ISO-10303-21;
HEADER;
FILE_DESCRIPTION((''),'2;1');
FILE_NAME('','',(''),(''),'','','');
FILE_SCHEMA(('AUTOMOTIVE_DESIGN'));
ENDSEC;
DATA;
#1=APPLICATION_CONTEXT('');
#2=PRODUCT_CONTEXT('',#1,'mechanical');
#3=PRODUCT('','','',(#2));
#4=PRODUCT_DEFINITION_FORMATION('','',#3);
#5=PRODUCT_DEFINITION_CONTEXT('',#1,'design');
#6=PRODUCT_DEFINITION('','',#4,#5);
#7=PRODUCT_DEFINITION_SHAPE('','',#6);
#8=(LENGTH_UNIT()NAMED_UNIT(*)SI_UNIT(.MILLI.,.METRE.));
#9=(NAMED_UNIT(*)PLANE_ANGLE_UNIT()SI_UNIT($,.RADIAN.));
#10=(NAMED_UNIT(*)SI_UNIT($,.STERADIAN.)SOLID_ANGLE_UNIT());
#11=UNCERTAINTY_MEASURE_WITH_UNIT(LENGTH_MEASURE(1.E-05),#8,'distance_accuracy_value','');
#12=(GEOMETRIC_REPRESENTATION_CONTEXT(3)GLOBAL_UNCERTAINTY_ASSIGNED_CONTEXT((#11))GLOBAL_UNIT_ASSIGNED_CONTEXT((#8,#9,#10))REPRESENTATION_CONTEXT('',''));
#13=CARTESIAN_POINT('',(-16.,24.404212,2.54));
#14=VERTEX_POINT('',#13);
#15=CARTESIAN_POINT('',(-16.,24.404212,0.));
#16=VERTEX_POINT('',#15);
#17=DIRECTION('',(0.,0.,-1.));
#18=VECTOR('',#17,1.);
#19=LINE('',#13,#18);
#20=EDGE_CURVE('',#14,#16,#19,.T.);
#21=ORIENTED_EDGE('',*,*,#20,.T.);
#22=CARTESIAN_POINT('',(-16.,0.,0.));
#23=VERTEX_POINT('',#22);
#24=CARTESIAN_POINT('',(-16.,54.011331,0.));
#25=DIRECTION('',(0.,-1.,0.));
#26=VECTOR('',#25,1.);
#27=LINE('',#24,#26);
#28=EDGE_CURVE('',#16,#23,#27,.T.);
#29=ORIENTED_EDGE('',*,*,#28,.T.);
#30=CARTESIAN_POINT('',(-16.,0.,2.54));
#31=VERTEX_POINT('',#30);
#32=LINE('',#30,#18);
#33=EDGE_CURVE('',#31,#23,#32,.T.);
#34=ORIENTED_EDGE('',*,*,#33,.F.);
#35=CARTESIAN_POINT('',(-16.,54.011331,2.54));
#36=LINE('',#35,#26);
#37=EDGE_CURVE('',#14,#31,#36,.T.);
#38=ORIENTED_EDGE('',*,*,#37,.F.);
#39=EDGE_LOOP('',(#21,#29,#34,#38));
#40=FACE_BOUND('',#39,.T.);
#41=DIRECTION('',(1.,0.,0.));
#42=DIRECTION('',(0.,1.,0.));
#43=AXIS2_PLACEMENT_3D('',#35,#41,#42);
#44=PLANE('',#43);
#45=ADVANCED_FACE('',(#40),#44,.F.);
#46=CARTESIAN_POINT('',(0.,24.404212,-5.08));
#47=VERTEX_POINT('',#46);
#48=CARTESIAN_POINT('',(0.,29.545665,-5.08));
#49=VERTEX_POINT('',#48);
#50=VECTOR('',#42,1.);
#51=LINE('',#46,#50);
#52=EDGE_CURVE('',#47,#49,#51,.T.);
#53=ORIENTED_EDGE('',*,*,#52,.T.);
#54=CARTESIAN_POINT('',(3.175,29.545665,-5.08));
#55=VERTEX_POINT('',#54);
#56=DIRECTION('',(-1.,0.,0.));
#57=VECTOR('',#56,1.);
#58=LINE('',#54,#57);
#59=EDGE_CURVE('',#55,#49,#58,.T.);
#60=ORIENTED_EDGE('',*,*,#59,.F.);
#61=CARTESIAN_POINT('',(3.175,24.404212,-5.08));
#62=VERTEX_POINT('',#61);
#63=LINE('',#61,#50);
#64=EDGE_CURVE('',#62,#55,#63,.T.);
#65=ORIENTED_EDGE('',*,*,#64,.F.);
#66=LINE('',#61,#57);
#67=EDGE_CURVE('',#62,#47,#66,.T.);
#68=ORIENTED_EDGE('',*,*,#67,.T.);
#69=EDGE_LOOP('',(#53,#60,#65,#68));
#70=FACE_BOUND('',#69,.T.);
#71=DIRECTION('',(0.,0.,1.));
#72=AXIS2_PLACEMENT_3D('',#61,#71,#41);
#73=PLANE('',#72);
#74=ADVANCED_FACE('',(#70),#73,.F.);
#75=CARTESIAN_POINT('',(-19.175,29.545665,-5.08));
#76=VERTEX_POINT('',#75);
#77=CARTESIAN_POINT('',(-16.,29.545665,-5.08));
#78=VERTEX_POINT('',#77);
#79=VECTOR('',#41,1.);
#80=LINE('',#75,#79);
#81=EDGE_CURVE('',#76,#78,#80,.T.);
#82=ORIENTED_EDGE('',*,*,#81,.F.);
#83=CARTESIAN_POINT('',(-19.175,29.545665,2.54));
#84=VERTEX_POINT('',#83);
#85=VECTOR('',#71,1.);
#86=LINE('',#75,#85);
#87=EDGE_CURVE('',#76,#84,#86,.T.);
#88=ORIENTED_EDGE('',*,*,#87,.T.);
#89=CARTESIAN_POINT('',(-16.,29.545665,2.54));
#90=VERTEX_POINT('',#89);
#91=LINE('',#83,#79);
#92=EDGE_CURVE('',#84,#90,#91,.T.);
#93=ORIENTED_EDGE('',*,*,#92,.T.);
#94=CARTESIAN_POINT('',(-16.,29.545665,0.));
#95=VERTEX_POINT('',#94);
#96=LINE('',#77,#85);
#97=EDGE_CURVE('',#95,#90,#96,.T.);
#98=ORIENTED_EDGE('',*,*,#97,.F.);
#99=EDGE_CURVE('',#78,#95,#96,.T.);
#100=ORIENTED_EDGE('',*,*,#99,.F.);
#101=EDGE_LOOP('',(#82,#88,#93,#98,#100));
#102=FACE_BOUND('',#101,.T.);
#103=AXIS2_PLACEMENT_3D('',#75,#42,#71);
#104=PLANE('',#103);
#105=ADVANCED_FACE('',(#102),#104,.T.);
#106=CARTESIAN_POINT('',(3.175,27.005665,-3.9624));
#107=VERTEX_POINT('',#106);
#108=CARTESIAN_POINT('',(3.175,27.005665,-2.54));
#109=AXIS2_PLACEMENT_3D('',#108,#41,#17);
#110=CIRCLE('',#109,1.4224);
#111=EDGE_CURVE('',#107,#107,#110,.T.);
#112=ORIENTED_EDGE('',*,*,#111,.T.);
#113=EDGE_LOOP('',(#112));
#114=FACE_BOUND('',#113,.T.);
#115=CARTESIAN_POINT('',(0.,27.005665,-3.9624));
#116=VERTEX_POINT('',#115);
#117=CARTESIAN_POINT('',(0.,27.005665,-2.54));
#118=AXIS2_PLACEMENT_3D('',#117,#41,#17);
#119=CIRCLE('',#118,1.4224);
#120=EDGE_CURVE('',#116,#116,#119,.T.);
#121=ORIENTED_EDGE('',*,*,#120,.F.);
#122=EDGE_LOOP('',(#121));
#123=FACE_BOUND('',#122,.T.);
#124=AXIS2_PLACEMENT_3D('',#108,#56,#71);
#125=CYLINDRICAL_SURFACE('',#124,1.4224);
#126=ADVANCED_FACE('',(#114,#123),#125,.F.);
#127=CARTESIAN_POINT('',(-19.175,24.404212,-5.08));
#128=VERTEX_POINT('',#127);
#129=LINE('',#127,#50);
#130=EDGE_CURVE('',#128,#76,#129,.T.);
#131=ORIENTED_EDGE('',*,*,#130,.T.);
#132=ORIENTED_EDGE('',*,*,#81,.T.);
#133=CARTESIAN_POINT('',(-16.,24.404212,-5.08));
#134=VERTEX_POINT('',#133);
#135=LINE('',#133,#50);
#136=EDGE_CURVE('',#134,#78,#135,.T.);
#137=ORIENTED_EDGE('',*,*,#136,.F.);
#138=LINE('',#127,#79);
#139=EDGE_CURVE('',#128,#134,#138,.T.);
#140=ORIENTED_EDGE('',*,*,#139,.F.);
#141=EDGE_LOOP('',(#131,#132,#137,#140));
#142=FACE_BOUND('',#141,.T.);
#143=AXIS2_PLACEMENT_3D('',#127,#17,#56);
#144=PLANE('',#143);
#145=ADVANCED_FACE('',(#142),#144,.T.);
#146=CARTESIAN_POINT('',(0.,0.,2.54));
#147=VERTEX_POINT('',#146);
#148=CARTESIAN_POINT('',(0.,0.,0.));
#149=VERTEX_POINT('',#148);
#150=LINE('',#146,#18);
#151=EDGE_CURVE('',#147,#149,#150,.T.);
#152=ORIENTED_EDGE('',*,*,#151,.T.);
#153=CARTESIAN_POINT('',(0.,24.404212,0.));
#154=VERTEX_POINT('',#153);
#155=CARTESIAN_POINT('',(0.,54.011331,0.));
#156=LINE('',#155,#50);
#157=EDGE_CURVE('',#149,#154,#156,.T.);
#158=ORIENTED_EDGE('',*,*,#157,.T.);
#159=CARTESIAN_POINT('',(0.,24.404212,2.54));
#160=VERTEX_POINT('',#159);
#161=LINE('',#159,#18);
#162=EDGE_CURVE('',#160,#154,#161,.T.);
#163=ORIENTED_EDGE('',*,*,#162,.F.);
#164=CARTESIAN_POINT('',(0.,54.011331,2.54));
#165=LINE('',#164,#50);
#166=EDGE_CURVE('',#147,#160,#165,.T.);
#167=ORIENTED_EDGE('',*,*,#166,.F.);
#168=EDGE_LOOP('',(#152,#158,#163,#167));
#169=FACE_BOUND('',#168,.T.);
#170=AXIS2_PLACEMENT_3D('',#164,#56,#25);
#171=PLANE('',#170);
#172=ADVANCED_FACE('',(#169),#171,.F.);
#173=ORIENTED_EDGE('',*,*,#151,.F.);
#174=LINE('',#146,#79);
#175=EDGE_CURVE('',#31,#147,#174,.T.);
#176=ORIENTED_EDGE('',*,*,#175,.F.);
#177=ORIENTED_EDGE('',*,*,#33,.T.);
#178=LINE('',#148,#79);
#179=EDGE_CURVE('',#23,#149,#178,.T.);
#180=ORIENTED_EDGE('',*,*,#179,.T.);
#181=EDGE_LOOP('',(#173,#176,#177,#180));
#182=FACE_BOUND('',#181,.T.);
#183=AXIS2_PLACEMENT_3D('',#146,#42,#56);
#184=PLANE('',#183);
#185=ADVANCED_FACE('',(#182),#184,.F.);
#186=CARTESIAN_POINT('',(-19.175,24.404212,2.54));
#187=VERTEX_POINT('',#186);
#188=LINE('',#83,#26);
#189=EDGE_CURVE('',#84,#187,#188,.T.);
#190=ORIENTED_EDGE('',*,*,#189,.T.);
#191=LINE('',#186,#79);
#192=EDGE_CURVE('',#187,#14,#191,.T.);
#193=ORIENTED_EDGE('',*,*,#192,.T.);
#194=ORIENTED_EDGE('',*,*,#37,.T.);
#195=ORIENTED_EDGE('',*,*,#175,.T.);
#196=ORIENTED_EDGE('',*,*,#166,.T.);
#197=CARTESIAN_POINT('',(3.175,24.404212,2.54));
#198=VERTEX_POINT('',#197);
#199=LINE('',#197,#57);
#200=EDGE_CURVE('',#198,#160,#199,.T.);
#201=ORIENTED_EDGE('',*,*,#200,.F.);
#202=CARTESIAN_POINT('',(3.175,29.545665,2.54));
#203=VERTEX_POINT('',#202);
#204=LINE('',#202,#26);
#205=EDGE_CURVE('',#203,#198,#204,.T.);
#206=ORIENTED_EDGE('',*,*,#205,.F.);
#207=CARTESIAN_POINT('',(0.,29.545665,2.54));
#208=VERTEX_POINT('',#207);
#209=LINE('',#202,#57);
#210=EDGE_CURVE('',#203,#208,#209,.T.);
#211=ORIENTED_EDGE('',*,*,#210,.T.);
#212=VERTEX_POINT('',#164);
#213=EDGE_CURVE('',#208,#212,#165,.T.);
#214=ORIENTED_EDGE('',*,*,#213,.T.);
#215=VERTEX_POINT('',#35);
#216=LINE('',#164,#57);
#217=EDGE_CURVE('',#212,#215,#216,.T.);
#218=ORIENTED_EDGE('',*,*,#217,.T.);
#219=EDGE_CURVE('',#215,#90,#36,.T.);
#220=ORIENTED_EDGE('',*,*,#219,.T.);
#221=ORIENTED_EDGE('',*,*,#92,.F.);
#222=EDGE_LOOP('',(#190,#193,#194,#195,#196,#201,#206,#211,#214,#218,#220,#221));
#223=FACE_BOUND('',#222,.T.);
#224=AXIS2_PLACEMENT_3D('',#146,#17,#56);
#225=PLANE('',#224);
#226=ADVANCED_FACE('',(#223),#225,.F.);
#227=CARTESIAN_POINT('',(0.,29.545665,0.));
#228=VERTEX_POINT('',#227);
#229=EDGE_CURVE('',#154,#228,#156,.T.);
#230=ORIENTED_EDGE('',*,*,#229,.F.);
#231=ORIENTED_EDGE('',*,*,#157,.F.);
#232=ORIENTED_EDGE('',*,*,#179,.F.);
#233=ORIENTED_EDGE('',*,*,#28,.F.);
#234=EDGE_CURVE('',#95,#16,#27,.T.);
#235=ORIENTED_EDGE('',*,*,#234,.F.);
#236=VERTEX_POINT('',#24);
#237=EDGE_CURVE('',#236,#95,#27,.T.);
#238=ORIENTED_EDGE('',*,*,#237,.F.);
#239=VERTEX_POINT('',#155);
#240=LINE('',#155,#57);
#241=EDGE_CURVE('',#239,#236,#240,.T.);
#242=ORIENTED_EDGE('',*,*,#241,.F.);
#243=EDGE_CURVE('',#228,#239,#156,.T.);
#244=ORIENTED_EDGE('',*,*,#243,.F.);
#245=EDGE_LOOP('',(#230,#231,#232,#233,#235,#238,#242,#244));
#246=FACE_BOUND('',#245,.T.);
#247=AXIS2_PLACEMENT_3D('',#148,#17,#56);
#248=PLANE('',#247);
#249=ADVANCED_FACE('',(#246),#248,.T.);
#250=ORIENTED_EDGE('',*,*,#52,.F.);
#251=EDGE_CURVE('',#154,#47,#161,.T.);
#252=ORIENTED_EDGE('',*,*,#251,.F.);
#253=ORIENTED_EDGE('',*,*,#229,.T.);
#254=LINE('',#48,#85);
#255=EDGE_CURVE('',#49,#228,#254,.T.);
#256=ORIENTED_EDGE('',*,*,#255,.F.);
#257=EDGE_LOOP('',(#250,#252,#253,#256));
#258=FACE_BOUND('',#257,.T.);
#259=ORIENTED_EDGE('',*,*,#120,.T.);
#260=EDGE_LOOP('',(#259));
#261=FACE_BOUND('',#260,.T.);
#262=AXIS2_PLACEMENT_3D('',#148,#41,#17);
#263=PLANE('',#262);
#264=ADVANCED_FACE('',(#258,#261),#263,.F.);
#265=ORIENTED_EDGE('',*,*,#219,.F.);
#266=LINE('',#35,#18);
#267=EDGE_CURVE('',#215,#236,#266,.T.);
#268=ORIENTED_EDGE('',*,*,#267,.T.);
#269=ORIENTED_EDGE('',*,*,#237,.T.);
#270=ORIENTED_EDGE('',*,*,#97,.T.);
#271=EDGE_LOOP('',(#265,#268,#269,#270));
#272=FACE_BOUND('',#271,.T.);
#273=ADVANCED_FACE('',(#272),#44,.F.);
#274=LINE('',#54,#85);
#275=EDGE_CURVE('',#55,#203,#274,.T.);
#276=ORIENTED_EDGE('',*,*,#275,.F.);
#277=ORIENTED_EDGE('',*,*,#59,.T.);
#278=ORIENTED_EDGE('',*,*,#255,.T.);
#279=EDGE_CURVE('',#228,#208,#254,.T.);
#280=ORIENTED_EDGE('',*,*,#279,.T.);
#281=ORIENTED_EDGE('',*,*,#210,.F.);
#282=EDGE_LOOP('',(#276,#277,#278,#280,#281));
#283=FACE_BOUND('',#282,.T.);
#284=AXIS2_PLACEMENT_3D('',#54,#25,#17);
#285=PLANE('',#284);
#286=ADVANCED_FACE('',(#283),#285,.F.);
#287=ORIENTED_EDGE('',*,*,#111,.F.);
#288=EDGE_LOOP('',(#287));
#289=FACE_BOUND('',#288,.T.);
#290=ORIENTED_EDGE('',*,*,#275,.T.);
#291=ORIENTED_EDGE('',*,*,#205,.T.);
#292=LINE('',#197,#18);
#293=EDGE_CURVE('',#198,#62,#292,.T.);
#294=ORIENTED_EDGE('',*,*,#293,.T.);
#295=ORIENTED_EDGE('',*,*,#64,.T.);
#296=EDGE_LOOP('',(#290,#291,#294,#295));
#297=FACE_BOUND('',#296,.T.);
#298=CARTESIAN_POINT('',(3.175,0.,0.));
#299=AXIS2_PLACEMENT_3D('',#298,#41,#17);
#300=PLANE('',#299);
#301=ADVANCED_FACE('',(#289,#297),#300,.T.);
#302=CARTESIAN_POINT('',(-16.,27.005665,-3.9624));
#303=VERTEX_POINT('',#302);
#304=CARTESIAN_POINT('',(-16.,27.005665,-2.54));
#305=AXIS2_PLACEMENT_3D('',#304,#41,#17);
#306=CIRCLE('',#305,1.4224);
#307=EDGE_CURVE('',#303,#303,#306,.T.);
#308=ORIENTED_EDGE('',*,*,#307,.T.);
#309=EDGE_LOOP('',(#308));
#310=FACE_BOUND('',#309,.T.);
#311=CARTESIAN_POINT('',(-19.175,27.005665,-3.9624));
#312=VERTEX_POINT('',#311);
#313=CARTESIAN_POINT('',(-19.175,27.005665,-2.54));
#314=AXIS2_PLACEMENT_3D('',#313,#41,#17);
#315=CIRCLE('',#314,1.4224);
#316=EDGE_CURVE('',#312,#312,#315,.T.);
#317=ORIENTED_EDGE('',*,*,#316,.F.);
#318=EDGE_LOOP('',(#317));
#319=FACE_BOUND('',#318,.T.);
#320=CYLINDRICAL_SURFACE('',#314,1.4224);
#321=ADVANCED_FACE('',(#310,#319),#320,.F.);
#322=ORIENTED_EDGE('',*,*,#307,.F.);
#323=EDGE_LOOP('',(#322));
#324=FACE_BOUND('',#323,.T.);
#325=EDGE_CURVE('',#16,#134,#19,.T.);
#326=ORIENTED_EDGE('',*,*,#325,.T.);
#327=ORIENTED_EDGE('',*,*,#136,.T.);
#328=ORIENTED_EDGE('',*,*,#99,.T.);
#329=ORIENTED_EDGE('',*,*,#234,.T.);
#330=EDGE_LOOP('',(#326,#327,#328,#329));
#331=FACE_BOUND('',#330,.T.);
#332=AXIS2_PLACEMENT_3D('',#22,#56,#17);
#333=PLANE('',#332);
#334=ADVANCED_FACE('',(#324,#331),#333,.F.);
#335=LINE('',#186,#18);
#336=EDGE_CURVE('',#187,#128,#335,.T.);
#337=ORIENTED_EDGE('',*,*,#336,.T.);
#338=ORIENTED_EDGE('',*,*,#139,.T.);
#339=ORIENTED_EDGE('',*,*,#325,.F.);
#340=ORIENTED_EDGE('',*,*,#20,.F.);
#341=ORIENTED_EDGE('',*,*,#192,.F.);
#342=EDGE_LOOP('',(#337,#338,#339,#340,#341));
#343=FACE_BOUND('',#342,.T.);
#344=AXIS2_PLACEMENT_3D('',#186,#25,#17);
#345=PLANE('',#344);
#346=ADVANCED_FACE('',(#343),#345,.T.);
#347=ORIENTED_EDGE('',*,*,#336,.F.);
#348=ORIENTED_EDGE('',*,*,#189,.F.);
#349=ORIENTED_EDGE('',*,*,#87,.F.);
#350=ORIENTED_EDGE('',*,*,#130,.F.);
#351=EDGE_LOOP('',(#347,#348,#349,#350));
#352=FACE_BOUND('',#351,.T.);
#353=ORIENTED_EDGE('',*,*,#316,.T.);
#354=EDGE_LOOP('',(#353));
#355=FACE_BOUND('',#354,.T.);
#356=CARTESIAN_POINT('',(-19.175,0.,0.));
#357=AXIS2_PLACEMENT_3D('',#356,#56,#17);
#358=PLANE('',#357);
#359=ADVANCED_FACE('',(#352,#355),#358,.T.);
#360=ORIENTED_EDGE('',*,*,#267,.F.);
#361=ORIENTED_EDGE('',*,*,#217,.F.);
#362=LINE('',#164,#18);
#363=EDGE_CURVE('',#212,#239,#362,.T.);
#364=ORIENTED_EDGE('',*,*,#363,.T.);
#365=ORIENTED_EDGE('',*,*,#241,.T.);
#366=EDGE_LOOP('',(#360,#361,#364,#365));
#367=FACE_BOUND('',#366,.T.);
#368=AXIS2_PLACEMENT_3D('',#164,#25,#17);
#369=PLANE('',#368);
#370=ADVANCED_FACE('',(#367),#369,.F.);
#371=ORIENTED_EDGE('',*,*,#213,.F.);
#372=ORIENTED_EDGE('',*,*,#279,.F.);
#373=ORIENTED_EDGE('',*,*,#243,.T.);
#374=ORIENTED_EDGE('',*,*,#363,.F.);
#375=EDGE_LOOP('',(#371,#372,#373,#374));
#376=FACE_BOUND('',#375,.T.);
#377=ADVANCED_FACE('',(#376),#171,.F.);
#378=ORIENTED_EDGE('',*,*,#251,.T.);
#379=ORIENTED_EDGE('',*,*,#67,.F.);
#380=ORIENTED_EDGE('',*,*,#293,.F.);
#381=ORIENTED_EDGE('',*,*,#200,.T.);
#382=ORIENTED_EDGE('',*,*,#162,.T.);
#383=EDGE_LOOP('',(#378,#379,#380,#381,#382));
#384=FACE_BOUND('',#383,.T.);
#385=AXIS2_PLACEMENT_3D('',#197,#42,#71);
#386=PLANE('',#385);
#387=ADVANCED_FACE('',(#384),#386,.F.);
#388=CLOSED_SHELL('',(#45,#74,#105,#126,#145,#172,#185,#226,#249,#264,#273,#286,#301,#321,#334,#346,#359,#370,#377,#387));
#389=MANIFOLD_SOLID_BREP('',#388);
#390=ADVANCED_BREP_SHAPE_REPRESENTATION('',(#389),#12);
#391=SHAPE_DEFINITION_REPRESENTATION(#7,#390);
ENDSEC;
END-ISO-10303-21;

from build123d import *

# Parameters (mm, degrees)
SKETCH1_W           = 16
SKETCH1_H           = 54.011330832
BOSS_EXTRUDE1_DEPTH = 2.54
SKETCH2_W           = 7.62
SKETCH2_H           = 5.141453329
SKETCH2_R           = 1.4224
BOSS_EXTRUDE2_DEPTH = 3.175


with BuildPart() as part:
    # Sketch1 → Boss-Extrude1 (new body)
    with BuildSketch(Plane.XY):
        with Locations((-8, 27.005665416)):
            Rectangle(SKETCH1_W, SKETCH1_H)
    extrude(amount=BOSS_EXTRUDE1_DEPTH)

    # Sketch2 → Boss-Extrude2 (add)
    with BuildSketch(Plane(origin=(0, 0, 0), x_dir=(0, 0, -1), z_dir=(1, 0, 0))):
        with Locations((1.27, 26.974938752)):
            Rectangle(SKETCH2_W, SKETCH2_H)
        with Locations((2.54, 27.005665416)):
            Circle(SKETCH2_R, mode=Mode.SUBTRACT)
    boss_extrude2 = extrude(amount=BOSS_EXTRUDE2_DEPTH)

    # Mirror1: Boss-Extrude2 across plane
    add(boss_extrude2.mirror(Plane.ZY.offset(8)))


solid = part.part
